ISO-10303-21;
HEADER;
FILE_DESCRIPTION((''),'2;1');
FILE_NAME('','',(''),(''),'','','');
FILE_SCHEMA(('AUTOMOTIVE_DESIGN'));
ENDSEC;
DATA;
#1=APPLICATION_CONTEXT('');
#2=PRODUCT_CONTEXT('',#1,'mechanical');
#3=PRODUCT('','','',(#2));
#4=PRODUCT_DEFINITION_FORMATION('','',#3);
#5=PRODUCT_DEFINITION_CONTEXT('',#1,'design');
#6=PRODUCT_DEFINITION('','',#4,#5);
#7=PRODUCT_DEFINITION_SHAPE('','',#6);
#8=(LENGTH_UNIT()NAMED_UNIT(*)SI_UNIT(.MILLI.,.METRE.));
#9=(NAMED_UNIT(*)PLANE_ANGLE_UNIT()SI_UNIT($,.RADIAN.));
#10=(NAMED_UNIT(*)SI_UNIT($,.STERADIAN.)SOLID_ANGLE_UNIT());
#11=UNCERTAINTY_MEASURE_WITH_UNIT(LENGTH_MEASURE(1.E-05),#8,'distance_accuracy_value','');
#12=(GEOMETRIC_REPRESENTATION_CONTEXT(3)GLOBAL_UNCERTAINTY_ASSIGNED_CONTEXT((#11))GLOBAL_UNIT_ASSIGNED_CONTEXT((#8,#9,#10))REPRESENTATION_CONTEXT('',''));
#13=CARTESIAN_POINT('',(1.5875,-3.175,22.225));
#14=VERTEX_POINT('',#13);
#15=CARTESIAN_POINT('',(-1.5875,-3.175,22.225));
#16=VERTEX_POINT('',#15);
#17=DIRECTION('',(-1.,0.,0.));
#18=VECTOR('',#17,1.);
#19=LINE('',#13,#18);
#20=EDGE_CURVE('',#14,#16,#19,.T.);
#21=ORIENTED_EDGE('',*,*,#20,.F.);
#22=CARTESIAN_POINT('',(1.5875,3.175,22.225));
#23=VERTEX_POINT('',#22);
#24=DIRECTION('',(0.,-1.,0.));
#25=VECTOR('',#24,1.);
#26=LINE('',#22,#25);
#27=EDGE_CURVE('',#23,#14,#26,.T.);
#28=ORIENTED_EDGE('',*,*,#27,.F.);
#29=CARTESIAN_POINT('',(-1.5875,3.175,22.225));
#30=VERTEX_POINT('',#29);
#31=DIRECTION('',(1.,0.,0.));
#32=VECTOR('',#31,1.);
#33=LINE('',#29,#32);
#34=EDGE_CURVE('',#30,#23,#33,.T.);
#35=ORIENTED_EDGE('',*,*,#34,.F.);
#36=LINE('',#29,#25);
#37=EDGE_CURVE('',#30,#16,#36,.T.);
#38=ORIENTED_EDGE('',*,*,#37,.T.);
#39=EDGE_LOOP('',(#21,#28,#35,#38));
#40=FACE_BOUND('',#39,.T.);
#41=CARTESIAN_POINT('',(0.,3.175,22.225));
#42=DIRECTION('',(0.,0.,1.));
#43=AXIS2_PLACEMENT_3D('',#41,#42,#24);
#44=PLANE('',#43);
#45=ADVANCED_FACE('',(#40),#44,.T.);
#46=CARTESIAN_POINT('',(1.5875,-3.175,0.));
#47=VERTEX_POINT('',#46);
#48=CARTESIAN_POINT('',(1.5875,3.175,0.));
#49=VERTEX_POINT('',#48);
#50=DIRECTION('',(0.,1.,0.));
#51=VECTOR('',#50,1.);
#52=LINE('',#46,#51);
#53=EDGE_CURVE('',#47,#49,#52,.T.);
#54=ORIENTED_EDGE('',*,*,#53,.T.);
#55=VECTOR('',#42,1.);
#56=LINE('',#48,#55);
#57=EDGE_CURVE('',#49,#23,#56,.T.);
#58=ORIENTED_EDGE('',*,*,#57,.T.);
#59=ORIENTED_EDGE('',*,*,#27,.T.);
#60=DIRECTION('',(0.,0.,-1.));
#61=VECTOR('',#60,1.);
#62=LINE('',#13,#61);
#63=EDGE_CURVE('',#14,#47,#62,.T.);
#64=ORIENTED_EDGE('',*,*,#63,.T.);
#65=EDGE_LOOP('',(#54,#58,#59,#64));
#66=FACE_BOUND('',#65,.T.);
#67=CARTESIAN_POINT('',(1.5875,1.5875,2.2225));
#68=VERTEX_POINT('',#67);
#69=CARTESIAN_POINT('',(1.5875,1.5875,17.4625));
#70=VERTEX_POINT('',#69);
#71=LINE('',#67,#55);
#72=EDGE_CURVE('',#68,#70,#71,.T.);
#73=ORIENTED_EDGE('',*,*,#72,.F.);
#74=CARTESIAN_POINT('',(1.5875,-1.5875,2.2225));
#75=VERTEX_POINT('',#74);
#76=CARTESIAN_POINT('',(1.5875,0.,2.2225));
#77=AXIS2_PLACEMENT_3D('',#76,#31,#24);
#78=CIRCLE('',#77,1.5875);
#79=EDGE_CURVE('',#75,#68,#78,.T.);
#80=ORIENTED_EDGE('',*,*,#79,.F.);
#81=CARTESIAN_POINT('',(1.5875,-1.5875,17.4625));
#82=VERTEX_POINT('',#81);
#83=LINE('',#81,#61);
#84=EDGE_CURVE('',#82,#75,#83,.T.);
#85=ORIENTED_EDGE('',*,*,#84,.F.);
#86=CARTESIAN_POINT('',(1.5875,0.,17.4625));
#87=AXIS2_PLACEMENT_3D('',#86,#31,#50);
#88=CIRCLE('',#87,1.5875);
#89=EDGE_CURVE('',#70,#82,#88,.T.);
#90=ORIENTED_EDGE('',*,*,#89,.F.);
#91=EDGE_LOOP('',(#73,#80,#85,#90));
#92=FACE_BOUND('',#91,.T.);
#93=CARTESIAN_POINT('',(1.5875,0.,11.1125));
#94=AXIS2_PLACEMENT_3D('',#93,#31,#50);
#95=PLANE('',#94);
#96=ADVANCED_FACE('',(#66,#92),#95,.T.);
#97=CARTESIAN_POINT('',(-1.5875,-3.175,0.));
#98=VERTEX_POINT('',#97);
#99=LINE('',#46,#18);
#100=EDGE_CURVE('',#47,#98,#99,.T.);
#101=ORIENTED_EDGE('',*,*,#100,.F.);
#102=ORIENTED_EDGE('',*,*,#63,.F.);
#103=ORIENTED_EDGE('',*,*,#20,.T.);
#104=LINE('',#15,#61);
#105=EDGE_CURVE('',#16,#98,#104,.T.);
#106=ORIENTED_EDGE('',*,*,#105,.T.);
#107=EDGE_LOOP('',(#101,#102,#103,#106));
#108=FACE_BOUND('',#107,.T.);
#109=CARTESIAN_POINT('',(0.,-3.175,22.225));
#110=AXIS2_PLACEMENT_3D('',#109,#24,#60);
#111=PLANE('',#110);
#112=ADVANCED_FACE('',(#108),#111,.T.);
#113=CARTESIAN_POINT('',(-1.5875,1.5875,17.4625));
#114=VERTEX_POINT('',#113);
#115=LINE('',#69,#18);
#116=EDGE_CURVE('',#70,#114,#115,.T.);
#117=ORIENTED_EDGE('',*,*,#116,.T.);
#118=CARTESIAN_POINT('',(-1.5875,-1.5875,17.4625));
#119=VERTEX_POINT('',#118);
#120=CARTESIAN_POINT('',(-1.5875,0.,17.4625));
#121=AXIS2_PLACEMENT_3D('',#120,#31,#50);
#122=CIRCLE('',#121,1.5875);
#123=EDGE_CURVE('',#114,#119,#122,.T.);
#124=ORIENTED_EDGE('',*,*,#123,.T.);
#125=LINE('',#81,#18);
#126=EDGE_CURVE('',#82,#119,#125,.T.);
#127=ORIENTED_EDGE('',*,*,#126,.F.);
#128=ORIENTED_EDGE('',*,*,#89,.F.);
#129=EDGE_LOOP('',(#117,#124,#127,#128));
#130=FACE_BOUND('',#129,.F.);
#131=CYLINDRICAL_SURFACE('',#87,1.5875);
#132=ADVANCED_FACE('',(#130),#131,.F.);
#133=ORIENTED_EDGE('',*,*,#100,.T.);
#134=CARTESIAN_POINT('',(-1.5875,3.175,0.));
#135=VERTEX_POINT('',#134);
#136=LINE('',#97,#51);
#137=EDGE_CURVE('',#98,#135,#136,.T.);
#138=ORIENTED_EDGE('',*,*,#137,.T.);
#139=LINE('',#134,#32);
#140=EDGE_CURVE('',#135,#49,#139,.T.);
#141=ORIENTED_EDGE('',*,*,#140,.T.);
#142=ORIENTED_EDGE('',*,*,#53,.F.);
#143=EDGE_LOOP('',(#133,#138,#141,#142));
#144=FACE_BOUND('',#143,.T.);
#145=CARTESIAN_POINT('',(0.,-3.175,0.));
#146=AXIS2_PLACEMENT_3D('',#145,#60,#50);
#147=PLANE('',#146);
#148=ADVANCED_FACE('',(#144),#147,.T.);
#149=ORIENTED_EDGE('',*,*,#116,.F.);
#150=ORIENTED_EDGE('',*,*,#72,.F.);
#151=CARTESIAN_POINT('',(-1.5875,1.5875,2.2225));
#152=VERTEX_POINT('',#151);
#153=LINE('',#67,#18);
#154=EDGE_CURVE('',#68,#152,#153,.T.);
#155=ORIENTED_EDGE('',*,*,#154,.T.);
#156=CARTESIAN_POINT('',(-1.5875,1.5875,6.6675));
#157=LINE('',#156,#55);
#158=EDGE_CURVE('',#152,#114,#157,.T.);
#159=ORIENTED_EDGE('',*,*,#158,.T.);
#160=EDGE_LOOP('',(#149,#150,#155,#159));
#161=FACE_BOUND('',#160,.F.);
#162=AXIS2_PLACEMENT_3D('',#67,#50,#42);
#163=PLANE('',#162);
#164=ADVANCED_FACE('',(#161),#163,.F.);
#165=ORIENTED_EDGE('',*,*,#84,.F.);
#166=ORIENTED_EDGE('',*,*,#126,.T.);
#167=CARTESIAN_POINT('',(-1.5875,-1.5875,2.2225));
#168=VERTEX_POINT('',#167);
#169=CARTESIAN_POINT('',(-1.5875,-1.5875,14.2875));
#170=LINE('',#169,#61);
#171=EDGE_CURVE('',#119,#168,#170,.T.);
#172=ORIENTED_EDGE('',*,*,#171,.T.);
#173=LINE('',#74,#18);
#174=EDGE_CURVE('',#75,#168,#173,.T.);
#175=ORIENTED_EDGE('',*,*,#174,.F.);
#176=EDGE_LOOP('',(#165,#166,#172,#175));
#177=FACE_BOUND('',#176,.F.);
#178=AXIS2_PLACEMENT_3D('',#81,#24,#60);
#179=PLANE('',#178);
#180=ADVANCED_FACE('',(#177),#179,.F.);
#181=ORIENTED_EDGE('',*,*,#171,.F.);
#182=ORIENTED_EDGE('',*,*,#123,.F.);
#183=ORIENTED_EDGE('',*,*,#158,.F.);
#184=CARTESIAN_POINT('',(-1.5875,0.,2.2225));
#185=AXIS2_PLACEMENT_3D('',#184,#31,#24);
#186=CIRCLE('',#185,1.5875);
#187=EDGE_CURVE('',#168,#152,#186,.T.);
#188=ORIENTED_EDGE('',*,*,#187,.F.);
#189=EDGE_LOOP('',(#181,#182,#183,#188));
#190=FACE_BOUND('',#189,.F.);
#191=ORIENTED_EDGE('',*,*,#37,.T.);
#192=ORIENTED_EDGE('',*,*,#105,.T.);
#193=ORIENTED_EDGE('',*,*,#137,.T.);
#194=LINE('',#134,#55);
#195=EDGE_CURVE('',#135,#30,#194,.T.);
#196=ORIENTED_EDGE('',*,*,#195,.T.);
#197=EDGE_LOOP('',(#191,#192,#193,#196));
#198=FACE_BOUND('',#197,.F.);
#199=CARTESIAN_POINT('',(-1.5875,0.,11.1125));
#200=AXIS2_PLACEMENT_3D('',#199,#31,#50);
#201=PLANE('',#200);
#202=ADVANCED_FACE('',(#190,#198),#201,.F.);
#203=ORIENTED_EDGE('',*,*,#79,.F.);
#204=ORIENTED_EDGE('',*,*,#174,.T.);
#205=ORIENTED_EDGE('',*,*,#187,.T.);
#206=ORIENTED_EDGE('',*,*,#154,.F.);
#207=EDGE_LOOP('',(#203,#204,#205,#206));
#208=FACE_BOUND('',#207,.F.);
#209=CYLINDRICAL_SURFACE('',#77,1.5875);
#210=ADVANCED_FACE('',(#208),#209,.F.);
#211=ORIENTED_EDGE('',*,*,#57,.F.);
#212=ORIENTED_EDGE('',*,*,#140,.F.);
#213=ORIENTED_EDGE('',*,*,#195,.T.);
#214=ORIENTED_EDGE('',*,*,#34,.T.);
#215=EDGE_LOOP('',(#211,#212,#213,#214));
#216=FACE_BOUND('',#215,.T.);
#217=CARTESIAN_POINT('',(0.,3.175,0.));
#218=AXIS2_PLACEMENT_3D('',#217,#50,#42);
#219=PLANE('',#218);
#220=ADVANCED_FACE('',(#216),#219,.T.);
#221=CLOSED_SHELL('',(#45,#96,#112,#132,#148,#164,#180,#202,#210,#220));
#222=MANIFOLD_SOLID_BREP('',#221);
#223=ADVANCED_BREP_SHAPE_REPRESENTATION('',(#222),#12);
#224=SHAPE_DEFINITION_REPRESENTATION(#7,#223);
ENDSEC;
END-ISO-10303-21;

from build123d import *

# Parameters (mm, degrees)
F1_DEPTH = 1.5875
F3_DEPTH = 3.176


with BuildPart() as f1:
    # F0 (on Right) → F1 (new body, symmetric)
    with BuildSketch(Plane.YZ):
        Polygon((-3.175, 0), (0, 0), (3.175, 0), (3.175, 22.225), (-3.175, 22.225), align=None)
    extrude(amount=F1_DEPTH, both=True)

    # F2 (on face) → F3 (cut, through all)
    with BuildSketch(Plane.YZ.offset(1.5875)):
        with BuildLine():
            ThreePointArc((1.5875, 17.4625), (0, 19.05), (-1.5875, 17.4625))
            Line((-1.5875, 17.4625), (-1.5875, 2.2225))
            ThreePointArc((-1.5875, 2.2225), (0, 0.635), (1.5875, 2.2225))
            Line((1.5875, 2.2225), (1.5875, 17.4625))
        make_face()
    extrude(amount=-F3_DEPTH, mode=Mode.SUBTRACT)


solid = f1.part
